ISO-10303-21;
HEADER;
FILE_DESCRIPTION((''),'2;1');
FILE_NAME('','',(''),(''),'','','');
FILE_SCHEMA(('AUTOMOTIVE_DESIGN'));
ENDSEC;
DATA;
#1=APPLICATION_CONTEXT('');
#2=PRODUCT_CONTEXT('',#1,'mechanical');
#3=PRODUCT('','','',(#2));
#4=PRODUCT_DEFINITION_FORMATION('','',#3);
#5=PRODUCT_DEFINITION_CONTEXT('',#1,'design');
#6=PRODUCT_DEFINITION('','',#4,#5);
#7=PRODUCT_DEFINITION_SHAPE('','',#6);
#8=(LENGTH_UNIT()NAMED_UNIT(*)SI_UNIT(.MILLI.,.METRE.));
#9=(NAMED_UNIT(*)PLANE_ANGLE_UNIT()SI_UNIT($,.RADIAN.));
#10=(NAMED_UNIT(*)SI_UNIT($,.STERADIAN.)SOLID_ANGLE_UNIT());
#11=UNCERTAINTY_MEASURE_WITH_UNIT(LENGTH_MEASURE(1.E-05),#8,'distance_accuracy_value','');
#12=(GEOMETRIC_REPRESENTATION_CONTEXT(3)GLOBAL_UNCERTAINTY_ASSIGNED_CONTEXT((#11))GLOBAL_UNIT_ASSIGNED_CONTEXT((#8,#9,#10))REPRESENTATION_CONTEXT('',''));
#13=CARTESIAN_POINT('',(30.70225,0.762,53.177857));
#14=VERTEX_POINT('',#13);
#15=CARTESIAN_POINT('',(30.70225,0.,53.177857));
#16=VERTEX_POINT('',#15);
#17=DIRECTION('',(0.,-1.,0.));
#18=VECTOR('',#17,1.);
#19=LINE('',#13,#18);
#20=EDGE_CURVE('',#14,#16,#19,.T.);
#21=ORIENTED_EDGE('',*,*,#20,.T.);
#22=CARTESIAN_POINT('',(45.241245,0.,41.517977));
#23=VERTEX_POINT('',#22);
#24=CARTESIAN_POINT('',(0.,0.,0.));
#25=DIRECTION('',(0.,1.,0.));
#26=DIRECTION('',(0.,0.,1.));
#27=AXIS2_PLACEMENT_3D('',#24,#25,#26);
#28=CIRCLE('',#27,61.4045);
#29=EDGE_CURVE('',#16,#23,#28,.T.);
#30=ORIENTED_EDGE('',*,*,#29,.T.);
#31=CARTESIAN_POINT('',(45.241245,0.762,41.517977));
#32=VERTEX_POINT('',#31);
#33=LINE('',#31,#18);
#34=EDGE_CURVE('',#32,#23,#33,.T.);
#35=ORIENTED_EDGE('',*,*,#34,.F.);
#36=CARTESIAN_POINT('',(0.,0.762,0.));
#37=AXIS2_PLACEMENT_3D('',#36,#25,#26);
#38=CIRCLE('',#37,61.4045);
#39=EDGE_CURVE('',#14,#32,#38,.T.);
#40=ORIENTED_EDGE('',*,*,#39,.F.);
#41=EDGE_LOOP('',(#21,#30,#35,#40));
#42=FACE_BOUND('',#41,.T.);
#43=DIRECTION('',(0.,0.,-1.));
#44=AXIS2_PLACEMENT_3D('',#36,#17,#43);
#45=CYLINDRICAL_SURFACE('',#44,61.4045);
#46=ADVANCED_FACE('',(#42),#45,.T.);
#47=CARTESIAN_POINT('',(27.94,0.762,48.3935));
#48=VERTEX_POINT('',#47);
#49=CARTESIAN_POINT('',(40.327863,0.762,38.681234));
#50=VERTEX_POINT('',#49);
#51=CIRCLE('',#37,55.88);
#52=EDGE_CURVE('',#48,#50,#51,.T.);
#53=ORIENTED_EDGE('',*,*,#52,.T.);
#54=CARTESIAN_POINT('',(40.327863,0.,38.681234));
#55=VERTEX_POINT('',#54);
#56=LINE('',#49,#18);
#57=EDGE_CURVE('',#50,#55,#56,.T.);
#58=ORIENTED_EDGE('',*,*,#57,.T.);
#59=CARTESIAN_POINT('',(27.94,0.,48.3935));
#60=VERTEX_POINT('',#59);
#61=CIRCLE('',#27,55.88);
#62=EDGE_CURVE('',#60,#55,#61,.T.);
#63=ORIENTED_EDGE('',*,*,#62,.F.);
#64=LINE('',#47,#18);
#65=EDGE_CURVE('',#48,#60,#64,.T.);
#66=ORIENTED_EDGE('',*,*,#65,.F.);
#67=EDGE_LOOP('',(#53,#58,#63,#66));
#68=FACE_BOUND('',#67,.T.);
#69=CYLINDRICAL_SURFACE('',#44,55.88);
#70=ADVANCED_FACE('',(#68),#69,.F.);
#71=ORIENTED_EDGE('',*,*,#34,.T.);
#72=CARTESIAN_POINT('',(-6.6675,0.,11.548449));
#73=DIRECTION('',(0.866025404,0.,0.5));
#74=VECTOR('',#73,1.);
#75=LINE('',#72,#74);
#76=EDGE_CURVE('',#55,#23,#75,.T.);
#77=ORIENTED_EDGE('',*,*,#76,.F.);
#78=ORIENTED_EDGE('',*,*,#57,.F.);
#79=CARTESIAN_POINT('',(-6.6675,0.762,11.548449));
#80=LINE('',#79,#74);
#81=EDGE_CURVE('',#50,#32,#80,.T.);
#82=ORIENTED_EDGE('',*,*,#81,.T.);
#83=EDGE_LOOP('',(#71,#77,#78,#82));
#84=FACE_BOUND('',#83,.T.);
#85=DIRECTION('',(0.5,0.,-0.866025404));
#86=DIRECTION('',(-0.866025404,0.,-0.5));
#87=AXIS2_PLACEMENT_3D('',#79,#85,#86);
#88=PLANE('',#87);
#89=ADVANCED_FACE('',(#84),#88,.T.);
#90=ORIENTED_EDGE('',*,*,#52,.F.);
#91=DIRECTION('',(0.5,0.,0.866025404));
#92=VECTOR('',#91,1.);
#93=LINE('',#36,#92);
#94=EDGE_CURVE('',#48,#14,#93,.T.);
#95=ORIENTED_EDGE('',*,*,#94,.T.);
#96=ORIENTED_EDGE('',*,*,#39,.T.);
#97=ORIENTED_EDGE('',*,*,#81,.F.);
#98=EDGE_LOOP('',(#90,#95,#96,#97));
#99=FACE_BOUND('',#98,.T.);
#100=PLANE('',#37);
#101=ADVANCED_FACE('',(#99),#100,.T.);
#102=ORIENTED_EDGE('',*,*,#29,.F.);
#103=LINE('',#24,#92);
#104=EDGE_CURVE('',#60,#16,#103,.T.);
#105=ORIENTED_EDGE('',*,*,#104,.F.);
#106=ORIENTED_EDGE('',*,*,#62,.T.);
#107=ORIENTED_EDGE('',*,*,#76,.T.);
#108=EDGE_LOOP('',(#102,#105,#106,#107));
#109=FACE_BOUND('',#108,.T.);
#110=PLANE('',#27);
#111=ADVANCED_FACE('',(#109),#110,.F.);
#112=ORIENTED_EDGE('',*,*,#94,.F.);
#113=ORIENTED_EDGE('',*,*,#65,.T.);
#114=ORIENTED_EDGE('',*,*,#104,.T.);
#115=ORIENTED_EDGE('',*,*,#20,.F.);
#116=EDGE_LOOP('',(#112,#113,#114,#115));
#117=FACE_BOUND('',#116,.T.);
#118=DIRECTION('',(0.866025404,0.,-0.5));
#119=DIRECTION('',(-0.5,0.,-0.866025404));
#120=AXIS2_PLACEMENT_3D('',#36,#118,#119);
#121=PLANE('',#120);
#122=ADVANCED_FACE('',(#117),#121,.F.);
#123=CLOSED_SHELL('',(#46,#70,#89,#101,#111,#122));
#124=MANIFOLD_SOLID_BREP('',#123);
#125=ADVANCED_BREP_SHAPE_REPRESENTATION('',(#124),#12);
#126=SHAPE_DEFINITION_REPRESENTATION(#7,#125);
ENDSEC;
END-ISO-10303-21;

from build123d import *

# Parameters (mm, degrees)
BOSS_EXTRUDE1_DEPTH = 0.762


with BuildPart() as part:
    # Sketch1 → Boss-Extrude1 (new body)
    with BuildSketch(Plane(origin=(0, 0, 0), x_dir=(1, 0, 0), z_dir=(0, 1, 0))):
        with BuildLine():
            ThreePointArc((40.32786287, -38.681234163), (34.47763478, -43.975755821), (27.94, -48.393499563))
            Line((27.94, -48.393499563), (29.845, -51.693056352))
            ThreePointArc((29.845, -51.693056352), (37.194959, -46.68437774), (43.719059778, -40.639142611))
            Line((43.719059778, -40.639142611), (40.32786287, -38.681234163))
        make_face()
        with BuildLine():
            ThreePointArc((43.719059778, -40.639142611), (37.194959, -46.68437774), (29.845, -51.693056352))
            Line((29.845, -51.693056352), (30.70225, -53.177856907))
            ThreePointArc((30.70225, -53.177856907), (38.416686562, -47.902722406), (45.241244894, -41.517976597))
            Line((45.241244894, -41.517976597), (43.719059778, -40.639142611))
        make_face()
    extrude(amount=BOSS_EXTRUDE1_DEPTH)


solid = part.part
